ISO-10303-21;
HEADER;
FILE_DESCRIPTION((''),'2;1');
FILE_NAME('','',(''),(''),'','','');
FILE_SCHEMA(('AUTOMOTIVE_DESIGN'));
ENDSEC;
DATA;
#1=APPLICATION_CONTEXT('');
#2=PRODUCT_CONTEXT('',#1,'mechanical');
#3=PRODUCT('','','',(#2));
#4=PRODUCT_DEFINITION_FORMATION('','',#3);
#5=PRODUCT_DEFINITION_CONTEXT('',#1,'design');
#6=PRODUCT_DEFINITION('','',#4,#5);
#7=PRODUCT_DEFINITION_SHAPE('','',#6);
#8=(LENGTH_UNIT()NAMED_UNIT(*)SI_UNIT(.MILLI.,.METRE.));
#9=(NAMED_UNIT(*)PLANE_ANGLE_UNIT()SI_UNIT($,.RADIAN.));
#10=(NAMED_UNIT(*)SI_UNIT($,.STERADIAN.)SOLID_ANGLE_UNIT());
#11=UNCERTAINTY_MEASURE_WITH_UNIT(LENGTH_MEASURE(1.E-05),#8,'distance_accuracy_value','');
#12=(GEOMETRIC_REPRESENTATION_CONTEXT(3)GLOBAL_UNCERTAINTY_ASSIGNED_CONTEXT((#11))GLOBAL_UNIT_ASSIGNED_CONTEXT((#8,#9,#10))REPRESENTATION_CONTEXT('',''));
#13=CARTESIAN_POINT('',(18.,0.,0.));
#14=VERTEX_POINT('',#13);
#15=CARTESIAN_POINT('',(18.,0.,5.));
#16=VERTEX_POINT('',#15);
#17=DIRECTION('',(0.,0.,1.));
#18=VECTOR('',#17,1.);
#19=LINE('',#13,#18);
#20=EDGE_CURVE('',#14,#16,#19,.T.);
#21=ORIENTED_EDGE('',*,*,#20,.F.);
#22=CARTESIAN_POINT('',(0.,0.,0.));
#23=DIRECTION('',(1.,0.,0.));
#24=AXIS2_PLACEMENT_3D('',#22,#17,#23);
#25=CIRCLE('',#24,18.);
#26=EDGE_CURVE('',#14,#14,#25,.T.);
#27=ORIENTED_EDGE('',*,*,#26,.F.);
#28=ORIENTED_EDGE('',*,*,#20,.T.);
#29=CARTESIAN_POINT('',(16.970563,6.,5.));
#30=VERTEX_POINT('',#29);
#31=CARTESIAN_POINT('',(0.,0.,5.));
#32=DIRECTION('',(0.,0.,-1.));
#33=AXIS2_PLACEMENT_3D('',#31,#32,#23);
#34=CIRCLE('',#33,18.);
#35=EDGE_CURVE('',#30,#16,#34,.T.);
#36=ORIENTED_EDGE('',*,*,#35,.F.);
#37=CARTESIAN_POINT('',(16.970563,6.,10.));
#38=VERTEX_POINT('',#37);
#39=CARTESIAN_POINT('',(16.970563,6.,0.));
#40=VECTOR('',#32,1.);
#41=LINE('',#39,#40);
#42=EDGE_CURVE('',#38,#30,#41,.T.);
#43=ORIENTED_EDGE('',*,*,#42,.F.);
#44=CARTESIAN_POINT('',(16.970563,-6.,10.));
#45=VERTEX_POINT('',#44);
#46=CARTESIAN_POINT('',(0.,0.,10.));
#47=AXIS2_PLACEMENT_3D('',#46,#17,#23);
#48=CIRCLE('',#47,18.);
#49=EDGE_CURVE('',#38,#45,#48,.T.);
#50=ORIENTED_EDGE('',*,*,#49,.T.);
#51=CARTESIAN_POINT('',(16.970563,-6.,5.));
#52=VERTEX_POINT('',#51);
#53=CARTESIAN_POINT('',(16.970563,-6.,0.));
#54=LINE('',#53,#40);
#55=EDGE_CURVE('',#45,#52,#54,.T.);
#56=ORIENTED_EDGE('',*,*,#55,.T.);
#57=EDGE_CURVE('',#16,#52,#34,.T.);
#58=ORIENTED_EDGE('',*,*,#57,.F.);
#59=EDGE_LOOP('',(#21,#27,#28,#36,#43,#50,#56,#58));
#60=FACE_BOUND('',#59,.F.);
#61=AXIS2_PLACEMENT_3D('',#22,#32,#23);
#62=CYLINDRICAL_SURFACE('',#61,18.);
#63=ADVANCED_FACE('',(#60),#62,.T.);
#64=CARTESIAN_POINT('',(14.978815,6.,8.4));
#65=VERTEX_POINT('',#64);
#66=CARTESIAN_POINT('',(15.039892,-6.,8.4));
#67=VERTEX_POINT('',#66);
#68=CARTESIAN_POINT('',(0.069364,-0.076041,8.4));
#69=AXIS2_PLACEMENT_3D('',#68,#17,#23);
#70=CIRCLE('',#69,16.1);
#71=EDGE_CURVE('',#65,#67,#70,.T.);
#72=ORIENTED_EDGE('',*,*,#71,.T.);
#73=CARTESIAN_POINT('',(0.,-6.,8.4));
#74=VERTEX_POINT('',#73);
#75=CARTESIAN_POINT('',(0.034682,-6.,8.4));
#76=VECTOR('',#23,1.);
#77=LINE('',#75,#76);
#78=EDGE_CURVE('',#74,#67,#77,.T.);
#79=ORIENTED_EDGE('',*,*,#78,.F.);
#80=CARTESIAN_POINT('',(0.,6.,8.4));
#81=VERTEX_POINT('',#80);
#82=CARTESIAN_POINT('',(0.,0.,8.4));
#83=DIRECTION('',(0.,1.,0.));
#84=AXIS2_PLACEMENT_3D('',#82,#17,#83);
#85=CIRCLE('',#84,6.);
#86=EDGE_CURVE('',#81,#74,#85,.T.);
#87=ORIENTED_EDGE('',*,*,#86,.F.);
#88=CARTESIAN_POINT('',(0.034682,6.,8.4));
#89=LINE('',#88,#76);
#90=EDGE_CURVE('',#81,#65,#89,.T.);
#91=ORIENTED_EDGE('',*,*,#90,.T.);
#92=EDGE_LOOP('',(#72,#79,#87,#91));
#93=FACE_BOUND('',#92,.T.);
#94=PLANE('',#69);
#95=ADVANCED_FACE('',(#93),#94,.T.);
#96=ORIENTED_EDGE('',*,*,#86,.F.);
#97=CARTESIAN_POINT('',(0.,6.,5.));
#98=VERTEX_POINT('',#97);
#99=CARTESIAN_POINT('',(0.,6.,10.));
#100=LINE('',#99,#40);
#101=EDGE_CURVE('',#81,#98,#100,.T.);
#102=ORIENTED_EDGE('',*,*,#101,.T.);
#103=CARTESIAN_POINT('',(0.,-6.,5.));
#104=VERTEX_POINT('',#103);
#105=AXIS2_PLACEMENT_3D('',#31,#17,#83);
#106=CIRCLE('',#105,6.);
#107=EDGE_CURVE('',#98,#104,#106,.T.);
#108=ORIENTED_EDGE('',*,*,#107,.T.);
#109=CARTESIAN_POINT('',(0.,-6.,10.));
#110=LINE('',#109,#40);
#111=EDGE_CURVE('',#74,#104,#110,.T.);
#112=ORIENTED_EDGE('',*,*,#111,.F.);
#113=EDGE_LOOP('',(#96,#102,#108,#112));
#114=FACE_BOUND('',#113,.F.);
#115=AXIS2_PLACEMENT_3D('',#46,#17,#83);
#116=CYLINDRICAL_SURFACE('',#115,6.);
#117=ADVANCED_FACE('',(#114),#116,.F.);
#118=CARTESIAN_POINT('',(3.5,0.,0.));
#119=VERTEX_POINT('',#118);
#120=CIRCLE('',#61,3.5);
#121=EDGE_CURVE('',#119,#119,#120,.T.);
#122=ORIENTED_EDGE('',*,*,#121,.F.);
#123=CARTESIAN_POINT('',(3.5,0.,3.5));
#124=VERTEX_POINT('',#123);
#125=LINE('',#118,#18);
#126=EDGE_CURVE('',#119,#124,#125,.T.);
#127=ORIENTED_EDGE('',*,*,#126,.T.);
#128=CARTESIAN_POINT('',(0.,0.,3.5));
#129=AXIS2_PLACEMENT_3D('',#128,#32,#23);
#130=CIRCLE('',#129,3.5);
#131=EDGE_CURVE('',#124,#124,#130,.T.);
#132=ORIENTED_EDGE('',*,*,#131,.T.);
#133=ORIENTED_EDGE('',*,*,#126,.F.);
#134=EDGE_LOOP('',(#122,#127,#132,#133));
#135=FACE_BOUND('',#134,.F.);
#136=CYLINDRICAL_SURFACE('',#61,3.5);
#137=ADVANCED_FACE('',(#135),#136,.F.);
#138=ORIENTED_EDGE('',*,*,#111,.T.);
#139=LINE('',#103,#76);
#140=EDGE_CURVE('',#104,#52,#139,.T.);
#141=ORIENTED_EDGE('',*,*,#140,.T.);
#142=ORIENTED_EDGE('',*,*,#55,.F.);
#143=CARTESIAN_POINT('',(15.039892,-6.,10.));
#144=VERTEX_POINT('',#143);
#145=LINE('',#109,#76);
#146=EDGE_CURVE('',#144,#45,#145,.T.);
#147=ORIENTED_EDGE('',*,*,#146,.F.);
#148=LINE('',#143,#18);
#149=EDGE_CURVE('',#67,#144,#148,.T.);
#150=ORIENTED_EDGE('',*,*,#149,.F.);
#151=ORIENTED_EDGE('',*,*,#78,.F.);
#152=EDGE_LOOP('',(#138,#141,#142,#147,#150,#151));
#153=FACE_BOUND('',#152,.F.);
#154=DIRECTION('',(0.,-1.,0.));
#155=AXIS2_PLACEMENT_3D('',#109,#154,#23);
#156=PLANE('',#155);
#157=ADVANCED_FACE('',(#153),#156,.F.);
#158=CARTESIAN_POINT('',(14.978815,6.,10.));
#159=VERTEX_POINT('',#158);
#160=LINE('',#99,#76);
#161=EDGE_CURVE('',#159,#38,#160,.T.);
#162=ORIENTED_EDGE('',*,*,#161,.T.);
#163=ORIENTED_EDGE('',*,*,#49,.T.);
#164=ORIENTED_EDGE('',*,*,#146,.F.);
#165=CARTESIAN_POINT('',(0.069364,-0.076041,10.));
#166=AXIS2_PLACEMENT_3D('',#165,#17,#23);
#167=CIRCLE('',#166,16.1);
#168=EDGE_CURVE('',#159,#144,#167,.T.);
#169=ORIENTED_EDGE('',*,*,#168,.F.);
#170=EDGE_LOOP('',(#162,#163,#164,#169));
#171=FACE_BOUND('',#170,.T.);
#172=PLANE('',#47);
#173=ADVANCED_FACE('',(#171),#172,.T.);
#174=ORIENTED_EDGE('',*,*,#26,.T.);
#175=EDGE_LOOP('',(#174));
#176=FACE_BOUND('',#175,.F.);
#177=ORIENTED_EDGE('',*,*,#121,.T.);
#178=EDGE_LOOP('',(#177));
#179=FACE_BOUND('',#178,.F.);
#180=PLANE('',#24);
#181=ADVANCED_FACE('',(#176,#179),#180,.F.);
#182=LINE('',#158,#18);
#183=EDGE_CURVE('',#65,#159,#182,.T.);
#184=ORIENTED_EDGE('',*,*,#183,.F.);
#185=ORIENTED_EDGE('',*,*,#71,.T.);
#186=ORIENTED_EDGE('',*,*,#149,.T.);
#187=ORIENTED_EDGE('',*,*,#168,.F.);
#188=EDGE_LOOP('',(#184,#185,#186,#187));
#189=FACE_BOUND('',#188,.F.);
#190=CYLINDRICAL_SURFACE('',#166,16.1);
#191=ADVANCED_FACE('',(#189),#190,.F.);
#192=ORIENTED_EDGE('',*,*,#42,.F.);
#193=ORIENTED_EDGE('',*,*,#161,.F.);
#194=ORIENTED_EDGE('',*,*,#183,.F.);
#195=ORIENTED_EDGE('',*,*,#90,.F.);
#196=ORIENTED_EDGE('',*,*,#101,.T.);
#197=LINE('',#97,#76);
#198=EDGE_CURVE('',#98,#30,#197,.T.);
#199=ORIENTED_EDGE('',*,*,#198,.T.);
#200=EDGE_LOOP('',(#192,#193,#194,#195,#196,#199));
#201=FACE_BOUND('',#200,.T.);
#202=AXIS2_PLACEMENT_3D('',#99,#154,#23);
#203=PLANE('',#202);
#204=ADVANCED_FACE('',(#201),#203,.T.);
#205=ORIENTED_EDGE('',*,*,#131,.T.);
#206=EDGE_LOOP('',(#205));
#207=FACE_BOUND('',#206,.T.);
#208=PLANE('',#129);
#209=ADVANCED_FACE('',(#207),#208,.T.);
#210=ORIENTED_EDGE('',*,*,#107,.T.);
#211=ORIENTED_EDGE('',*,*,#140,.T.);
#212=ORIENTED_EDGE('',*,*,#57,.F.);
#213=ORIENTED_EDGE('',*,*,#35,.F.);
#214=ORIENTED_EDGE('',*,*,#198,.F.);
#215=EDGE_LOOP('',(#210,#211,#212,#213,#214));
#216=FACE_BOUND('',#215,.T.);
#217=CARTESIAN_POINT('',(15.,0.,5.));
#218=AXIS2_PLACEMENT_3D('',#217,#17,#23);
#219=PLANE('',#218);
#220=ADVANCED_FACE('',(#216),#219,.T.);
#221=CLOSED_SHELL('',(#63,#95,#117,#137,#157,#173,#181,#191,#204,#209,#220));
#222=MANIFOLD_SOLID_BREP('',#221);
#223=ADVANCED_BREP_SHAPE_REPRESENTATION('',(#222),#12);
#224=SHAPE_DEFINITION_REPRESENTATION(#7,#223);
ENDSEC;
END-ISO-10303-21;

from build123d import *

# Parameters (mm, degrees)
SKETCH_R        = 18
PAD_DEPTH       = 10
SKETCH001_R     = 16.1
POCKET_DEPTH    = 1.6
POCKET001_DEPTH = 5
SKETCH004_R     = 3.5
POCKET002_DEPTH = 3.5


with BuildPart() as part:
    # Sketch → Pad (new body)
    with BuildSketch(Plane.XY):
        Circle(SKETCH_R)
    extrude(amount=PAD_DEPTH)

    # Sketch001 → Pocket (cut)
    with BuildSketch(Plane.XY.offset(10)):
        with Locations((0.069364, -0.076041)):
            Circle(SKETCH001_R)
    extrude(amount=-POCKET_DEPTH, mode=Mode.SUBTRACT)

    # Sketch003 → Pocket001 (cut)
    with BuildSketch(Plane.XY.offset(10)):
        with BuildLine():
            ThreePointArc((0, 6), (-6, 0), (0, -6))
            Line((0, -6), (30, -6))
            ThreePointArc((30, -6), (36, 0), (30, 6))
            Line((0, 6), (30, 6))
        make_face()
    extrude(amount=-POCKET001_DEPTH, mode=Mode.SUBTRACT)

    # Sketch004 → Pocket002 (cut)
    with BuildSketch(Plane(origin=(0, 0, 0), x_dir=(1, 0, 0), z_dir=(0, 0, -1))):
        Circle(SKETCH004_R)
    extrude(amount=-POCKET002_DEPTH, mode=Mode.SUBTRACT)


solid = part.part
